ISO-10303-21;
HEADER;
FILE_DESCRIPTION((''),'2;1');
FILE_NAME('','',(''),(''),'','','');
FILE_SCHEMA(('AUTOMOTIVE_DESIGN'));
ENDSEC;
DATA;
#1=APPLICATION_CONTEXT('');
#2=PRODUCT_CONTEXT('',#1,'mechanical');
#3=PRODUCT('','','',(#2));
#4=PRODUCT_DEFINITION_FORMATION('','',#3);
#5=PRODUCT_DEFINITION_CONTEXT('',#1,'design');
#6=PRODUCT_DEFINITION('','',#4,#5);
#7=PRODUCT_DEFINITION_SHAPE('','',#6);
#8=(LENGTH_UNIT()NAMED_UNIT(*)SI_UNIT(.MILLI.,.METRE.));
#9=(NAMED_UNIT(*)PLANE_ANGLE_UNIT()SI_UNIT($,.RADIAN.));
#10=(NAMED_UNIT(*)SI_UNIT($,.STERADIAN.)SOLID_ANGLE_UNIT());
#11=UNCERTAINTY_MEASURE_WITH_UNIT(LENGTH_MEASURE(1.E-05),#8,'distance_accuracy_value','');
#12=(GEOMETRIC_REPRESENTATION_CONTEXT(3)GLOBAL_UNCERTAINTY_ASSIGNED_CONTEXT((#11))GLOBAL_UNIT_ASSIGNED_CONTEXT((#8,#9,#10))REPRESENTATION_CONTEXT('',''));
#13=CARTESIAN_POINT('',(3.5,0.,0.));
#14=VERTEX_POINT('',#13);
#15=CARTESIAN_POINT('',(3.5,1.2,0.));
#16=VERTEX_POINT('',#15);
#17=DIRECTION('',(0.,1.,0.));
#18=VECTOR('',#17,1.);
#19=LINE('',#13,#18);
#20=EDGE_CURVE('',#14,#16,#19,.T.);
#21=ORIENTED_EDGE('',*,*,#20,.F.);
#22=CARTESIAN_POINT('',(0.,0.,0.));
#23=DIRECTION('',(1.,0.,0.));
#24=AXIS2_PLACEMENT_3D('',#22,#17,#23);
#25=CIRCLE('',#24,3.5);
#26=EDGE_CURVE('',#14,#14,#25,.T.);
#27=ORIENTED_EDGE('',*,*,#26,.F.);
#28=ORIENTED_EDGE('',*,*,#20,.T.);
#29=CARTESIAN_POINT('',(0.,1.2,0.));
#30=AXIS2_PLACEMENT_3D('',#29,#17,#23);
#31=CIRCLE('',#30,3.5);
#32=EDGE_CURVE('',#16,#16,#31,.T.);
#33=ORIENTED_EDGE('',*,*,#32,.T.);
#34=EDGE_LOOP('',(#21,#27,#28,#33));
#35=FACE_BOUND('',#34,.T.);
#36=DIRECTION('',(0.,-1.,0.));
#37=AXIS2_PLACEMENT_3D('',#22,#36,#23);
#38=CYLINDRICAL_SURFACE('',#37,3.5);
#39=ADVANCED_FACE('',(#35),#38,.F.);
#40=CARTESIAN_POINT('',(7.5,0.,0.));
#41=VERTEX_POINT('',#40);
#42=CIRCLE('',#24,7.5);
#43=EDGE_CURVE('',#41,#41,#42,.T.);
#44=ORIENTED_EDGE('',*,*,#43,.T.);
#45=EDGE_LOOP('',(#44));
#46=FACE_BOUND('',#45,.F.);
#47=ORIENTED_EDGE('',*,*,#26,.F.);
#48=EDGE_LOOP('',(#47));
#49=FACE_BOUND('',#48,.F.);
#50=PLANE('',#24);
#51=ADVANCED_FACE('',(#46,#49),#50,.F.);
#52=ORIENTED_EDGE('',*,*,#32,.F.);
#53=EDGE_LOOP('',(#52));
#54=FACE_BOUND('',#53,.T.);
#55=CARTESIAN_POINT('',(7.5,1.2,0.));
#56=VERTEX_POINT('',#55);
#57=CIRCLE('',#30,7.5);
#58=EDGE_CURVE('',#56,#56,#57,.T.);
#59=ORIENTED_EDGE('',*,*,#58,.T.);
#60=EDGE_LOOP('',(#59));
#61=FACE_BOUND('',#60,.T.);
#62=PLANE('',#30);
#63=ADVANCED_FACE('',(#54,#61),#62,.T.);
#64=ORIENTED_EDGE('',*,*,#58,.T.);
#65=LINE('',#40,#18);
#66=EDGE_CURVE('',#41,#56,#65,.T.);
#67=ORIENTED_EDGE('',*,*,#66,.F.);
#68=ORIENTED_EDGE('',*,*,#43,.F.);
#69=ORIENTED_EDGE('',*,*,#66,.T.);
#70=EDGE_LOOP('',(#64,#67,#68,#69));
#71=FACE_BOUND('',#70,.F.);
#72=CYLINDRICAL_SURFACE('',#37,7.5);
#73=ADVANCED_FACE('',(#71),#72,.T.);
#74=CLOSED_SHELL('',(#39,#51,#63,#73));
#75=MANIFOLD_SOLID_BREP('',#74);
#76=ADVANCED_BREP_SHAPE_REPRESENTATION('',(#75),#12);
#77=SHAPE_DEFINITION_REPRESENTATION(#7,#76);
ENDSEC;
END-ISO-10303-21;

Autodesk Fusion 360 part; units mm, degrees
sketch "Sketch1" plane through (0, 0, 0) normal (0, 1, 0) x (1, 0, 0)
  circle A0 centre (0, 0) radius 3.5
  circle A1 centre (0, 0) radius 7.5
  dimension "d1" = 7
  dimension "d2" = 15
extrude "Extrude1" add sketch "Sketch1" along normal blind 1.2
